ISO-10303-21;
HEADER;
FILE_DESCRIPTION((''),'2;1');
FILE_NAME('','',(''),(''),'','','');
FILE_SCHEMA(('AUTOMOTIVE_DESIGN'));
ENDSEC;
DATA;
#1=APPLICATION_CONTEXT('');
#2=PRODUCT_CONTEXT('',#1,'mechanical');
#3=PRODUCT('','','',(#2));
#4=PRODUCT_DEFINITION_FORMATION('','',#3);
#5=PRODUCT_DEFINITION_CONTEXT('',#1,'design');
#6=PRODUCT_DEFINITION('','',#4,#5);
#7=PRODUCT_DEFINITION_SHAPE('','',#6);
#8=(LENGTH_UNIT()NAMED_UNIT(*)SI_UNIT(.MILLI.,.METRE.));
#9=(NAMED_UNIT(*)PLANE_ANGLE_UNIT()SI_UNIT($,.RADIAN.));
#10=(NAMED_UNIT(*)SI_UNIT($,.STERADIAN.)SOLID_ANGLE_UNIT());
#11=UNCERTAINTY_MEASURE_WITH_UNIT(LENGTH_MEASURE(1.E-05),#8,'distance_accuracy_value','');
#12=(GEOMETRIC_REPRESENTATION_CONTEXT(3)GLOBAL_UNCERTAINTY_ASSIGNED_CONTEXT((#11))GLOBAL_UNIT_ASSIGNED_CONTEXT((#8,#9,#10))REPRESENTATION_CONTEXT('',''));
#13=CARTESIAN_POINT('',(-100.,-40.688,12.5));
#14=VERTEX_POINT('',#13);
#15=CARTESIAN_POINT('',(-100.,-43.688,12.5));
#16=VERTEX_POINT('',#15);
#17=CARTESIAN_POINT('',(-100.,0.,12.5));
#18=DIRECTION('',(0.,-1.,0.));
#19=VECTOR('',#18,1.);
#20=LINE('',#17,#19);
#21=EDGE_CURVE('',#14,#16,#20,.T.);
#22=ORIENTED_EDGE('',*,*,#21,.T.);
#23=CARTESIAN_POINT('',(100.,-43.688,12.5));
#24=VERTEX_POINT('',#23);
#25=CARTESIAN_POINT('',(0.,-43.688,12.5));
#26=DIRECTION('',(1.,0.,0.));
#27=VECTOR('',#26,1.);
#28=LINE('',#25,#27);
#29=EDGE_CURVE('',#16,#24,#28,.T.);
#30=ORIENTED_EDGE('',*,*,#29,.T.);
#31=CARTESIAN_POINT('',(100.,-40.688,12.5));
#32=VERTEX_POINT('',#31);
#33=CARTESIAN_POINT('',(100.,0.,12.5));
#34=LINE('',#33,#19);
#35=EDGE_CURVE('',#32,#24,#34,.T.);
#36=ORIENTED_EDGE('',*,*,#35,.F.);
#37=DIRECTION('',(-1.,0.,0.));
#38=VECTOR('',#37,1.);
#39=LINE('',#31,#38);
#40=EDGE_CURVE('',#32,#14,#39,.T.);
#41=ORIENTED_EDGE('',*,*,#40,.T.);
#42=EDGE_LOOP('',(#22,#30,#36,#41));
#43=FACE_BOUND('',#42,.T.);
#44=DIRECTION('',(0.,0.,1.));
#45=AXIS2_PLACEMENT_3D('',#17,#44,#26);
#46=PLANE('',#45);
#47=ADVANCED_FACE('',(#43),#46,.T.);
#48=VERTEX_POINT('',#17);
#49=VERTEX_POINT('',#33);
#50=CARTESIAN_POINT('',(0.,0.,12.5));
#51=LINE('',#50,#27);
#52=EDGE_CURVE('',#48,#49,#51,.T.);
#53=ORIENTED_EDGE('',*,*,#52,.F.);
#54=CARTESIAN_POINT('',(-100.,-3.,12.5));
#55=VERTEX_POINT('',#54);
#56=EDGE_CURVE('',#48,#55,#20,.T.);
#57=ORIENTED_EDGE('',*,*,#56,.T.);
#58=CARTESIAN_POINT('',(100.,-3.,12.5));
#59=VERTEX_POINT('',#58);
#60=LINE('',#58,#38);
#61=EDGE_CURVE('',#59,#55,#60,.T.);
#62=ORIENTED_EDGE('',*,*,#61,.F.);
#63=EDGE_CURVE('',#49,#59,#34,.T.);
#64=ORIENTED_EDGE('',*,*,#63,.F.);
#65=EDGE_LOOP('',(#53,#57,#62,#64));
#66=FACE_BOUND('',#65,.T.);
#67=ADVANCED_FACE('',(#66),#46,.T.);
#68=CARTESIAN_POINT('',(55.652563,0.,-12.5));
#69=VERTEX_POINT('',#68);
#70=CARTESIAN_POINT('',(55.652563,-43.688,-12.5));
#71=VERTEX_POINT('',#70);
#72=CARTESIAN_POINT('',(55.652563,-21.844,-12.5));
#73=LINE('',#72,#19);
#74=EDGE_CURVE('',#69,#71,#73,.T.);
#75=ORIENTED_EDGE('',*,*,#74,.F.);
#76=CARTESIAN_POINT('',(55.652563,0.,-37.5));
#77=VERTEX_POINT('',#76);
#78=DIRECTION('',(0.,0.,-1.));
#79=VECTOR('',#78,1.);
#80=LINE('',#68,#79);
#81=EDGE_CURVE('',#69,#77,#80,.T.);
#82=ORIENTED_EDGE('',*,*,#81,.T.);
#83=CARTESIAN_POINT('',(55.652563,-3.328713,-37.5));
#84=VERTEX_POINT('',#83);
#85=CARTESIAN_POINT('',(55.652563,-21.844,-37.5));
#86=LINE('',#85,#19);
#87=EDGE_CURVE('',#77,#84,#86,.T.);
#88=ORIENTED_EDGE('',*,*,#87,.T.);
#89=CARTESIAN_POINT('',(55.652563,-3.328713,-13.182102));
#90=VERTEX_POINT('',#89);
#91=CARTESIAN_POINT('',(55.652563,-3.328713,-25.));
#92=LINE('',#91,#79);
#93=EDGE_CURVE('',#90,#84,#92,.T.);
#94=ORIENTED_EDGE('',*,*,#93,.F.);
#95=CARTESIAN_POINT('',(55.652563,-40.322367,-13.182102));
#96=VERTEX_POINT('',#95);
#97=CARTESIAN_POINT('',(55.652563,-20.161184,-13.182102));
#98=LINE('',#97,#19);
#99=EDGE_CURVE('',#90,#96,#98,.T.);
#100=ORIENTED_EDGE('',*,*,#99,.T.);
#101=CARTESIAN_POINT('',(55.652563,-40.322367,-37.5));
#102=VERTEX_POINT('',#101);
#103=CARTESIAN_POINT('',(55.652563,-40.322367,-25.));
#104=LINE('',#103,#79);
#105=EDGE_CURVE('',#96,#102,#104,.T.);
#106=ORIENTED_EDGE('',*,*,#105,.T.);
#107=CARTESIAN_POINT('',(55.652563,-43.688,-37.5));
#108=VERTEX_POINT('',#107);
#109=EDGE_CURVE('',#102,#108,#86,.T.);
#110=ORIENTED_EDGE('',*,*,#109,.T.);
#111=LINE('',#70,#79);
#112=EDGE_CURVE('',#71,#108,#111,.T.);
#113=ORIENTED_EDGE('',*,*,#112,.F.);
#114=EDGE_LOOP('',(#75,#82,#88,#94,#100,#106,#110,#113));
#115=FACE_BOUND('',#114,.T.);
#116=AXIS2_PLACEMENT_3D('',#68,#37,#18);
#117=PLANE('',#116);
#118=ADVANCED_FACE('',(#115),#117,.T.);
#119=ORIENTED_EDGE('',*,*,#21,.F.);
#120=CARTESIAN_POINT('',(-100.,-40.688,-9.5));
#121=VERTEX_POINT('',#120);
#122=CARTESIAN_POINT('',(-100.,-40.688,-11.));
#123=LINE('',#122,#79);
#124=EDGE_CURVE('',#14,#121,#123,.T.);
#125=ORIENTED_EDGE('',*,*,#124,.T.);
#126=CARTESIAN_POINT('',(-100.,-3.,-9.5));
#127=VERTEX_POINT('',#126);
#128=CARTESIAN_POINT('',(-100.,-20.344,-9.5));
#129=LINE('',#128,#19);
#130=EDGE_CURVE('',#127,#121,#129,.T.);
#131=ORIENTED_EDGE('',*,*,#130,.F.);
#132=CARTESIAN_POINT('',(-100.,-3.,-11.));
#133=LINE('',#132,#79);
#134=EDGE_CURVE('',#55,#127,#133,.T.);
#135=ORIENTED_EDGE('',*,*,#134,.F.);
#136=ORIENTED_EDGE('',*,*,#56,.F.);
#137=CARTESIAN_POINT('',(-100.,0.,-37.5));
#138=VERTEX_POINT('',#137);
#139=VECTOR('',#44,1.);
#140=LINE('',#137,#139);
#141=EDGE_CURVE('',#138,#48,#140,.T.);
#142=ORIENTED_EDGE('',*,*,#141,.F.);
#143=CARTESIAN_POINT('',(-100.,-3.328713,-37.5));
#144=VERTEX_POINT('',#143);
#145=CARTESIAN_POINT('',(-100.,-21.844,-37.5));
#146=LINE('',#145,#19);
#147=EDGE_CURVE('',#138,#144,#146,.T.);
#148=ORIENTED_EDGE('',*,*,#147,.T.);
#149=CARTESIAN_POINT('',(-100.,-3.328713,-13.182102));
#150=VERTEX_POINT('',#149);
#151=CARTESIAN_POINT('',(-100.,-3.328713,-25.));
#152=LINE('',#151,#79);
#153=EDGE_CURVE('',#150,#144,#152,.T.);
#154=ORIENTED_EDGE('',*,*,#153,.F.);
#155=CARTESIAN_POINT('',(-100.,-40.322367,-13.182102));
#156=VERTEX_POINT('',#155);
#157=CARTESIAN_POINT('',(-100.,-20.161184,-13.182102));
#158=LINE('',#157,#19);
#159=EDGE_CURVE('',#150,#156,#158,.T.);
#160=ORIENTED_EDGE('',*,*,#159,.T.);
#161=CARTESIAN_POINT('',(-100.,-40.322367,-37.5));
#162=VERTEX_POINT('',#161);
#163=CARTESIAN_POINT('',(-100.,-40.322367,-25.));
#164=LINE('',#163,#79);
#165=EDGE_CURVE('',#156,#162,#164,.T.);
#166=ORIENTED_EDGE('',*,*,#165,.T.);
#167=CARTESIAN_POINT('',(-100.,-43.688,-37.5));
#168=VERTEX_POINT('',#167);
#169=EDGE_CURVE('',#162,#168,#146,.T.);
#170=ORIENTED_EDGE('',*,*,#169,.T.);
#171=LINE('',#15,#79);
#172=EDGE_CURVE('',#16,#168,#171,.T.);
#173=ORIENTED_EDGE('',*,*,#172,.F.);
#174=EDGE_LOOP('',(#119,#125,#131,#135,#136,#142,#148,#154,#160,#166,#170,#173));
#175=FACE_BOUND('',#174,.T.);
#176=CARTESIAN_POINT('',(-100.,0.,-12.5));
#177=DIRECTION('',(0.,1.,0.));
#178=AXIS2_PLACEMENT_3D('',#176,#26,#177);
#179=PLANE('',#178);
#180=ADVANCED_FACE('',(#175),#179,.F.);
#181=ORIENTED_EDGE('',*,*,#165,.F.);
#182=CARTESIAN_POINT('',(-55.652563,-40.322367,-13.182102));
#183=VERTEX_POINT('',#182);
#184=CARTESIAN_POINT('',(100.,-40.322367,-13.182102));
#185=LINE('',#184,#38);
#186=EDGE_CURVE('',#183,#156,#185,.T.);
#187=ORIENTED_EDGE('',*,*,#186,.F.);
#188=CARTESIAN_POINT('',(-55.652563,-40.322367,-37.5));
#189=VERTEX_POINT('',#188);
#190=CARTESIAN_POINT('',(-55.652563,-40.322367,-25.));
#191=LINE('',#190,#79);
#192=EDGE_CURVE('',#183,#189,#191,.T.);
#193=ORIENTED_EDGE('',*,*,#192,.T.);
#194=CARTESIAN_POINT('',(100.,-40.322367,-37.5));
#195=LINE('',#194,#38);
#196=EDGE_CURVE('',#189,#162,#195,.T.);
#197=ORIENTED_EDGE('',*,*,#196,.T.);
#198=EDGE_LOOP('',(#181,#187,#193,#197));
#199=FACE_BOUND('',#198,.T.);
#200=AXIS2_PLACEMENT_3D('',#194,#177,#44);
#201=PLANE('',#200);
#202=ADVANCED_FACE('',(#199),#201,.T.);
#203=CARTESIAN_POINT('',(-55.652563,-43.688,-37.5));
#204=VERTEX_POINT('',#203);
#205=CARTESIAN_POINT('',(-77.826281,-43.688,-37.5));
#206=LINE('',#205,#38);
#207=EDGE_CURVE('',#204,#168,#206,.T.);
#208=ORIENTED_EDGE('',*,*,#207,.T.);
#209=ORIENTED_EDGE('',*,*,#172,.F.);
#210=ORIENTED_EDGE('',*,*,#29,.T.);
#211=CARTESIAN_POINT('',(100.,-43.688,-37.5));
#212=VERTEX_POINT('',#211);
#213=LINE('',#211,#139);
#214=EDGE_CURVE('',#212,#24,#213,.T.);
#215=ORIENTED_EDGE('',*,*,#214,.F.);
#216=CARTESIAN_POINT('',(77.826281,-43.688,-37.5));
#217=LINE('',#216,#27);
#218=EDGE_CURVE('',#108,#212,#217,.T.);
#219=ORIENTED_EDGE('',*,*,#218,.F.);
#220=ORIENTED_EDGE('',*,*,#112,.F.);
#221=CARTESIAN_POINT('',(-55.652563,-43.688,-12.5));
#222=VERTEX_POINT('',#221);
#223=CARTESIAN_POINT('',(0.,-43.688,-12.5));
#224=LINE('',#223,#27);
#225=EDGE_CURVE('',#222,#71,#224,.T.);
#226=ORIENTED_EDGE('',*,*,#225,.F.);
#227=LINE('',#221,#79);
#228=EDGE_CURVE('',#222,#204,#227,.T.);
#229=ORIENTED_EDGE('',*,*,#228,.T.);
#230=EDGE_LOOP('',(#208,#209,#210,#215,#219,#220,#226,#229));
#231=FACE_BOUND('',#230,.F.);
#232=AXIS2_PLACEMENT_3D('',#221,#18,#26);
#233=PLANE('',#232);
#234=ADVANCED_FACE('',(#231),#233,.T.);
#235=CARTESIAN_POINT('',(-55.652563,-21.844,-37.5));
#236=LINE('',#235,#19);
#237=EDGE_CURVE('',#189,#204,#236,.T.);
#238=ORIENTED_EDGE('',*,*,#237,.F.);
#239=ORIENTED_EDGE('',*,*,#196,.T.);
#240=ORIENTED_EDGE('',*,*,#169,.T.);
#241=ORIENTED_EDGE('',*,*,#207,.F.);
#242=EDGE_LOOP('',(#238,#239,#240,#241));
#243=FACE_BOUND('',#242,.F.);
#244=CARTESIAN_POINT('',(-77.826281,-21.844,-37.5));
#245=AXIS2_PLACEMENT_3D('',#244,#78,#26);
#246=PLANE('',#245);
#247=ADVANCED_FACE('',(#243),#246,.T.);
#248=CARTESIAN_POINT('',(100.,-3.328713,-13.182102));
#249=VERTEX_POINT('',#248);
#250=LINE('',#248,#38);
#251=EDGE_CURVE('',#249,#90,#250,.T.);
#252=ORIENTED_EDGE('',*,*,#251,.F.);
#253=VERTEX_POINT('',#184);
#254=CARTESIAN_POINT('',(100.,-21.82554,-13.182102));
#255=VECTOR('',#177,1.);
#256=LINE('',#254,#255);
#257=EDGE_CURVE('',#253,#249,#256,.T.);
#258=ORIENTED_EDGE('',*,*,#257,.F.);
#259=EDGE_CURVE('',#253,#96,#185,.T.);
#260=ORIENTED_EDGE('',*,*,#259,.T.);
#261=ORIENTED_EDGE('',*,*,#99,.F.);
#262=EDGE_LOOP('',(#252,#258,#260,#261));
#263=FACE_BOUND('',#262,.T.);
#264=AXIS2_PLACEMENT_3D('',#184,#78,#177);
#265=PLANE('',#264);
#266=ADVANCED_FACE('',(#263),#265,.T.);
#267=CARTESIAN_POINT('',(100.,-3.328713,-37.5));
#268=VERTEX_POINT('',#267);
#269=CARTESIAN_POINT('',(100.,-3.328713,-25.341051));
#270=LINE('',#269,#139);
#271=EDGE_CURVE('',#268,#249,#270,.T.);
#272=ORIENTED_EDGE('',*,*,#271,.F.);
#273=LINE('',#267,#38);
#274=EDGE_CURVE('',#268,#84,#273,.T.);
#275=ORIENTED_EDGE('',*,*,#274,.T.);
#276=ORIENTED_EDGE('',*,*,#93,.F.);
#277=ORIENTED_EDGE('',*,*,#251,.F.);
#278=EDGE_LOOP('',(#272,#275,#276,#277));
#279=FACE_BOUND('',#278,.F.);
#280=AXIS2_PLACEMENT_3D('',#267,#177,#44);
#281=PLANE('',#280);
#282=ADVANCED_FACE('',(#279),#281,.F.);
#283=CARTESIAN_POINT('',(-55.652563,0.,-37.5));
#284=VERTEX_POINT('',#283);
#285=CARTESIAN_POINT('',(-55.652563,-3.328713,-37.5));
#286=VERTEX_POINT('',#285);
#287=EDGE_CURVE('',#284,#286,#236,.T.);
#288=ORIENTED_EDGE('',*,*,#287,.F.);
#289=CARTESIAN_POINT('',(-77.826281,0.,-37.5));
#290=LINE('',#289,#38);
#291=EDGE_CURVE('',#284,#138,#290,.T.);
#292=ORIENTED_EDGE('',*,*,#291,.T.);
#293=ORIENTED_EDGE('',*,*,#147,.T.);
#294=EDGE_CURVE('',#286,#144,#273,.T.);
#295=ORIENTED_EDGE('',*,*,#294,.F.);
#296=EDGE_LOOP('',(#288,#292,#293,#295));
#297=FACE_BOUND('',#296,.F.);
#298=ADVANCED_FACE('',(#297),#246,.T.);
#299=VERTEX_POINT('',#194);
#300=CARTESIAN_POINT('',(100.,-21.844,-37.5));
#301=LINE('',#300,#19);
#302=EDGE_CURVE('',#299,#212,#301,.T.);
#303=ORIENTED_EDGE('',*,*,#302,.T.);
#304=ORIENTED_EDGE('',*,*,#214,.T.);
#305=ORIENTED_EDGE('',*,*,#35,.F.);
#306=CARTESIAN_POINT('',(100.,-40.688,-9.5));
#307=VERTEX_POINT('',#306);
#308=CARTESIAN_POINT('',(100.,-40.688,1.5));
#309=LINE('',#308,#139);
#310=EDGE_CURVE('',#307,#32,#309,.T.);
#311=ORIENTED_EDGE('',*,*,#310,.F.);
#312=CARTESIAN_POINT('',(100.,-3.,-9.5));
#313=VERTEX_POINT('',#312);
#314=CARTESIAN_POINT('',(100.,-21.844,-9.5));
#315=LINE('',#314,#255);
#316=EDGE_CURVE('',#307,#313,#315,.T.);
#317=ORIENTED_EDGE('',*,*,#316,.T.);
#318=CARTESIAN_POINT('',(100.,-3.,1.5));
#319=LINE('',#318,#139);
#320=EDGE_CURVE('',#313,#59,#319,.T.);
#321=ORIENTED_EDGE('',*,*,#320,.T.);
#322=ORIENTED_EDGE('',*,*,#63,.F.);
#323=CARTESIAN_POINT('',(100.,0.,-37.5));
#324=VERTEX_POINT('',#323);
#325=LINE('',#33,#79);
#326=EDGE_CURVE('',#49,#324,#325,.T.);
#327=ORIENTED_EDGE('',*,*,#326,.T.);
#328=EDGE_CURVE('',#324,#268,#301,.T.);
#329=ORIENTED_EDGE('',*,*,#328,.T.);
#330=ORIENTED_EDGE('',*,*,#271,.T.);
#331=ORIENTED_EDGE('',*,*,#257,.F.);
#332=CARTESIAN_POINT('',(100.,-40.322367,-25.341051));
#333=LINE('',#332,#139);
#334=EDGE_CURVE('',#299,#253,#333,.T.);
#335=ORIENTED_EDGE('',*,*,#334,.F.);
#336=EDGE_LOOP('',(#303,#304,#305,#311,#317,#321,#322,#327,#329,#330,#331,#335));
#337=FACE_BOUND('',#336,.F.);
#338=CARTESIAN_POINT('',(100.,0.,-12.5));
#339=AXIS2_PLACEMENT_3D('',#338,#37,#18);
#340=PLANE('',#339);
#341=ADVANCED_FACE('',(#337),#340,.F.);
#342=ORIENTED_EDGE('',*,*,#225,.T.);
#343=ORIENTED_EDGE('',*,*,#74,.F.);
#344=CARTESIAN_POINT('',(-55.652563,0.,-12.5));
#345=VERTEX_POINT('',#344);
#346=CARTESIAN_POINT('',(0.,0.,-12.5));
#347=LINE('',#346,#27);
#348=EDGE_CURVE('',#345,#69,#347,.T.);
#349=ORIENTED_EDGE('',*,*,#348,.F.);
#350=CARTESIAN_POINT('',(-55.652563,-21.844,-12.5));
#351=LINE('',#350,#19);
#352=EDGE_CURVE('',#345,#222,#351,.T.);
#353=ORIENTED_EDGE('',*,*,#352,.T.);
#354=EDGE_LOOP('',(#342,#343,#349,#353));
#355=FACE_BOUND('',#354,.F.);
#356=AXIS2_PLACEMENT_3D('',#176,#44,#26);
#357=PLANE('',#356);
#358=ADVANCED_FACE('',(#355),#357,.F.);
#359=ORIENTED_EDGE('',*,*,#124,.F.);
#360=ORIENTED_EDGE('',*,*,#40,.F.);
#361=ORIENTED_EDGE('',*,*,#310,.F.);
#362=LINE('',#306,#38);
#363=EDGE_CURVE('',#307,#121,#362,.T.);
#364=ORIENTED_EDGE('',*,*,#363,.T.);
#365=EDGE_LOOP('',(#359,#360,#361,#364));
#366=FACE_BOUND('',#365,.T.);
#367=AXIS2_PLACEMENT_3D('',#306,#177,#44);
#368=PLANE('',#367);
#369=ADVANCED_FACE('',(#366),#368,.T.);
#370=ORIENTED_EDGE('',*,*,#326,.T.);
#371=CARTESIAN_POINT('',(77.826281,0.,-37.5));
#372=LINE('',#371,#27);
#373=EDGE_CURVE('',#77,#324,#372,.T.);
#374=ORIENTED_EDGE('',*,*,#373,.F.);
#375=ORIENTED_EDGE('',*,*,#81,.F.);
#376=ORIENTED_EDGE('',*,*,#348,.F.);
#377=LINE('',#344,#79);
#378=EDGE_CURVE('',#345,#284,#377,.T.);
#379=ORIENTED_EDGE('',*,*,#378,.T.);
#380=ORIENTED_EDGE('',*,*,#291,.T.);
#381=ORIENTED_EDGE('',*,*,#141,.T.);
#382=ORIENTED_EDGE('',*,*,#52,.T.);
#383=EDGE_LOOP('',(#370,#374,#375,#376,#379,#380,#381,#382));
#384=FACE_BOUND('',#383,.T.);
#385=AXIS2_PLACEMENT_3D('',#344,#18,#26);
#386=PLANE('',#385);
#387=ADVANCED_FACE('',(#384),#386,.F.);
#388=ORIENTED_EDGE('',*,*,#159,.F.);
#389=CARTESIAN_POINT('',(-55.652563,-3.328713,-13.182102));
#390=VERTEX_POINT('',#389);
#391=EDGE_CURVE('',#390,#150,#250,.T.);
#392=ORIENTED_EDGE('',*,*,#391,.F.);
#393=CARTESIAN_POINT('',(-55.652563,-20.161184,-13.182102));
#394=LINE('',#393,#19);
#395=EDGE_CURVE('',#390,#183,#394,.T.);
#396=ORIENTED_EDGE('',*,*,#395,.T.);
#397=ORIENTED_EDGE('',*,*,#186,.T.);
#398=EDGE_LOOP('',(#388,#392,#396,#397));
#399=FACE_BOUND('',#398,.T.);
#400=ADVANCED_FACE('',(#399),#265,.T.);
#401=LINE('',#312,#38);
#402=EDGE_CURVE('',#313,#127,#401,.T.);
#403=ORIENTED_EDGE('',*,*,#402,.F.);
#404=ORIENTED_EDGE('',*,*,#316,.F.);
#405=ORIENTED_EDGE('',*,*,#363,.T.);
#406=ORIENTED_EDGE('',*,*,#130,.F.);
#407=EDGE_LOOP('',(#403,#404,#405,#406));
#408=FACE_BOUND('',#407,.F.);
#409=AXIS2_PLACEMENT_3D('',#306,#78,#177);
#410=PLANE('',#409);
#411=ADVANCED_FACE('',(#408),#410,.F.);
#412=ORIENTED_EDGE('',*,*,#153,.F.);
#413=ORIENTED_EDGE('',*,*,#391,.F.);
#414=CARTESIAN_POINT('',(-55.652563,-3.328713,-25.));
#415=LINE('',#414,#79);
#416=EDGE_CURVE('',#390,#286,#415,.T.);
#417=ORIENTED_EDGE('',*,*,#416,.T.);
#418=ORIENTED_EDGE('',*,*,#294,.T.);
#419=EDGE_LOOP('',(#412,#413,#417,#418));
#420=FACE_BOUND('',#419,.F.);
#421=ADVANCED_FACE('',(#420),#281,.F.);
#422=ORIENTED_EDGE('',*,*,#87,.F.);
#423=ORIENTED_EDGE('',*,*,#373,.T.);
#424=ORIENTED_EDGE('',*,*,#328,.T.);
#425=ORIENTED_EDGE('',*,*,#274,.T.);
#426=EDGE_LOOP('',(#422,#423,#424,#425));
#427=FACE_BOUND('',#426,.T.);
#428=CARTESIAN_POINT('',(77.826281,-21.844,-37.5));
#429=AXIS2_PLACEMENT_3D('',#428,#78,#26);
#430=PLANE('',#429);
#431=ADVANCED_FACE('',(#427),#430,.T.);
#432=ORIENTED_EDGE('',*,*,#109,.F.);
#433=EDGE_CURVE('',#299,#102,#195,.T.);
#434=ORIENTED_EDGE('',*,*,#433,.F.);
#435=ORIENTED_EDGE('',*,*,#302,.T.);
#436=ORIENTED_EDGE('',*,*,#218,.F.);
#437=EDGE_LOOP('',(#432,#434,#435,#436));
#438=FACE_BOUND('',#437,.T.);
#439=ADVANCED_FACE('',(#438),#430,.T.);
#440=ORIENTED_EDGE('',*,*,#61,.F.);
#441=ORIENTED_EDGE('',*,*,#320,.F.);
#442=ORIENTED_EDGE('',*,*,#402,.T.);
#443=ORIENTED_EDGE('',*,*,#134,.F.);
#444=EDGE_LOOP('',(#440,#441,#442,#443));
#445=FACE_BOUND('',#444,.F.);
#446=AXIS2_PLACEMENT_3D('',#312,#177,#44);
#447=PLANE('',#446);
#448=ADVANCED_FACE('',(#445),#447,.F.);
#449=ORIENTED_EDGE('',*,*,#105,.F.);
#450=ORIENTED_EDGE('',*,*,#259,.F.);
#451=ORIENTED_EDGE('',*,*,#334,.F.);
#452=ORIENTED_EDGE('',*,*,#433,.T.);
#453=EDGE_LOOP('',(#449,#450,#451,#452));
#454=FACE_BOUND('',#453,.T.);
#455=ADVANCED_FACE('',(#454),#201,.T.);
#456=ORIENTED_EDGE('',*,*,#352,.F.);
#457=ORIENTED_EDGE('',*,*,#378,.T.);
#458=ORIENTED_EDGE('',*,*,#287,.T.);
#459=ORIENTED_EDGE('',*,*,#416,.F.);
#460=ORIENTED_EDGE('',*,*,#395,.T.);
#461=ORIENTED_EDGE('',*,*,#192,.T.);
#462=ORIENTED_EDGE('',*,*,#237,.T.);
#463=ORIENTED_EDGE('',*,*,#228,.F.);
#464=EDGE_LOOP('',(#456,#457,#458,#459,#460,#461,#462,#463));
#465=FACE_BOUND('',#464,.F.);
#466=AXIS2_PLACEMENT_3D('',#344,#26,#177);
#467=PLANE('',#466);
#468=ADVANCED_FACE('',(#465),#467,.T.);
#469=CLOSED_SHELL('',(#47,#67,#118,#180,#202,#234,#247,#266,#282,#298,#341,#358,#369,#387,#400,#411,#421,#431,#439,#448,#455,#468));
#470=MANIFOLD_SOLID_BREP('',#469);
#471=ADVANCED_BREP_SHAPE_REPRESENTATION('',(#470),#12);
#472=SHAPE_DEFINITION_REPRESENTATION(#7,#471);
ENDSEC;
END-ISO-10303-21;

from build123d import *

# Parameters (mm, degrees)
F0_W     = 200
F0_H     = 25
F1_DEPTH = 43.688
F2_W     = 37.688
F2_H     = 22
F3_DEPTH = 200.001
F4_W     = 44.3474374712
F4_H     = 43.688
F5_DEPTH = 25
F7_W     = 36.9936539792
F7_H     = 24.3178982288
F8_DEPTH = 200.001


with BuildPart() as f1:
    # F0 (on Front) → F1 (new body)
    with BuildSketch(Plane.XZ):
        Rectangle(F0_W, F0_H)
    extrude(amount=F1_DEPTH)

    # F2 (on face) → F3 (cut, through all)
    with BuildSketch(Plane.YZ.offset(100)):
        with Locations((-21.844, 1.5)):
            Rectangle(F2_W, F2_H)
    extrude(amount=-F3_DEPTH, mode=Mode.SUBTRACT)

    # F4 (on face) → F5 (join)
    with BuildSketch(Plane(origin=(0, 0, -12.5), x_dir=(1, 0, 0), z_dir=(0, 0, -1))):
        with Locations((77.8262812644, 21.844)):
            Rectangle(F4_W, F4_H)
    extrude(amount=F5_DEPTH)

    # F6: F1 across plane


with BuildPart() as f1_1:
    add(f1.part)
    add(f1.part.mirror(Plane.YZ))

    # F7 (on face) → F8 (cut, through all)
    with BuildSketch(Plane.YZ.offset(100)):
        with Locations((-21.8255401123, -25.3410508856)):
            Rectangle(F7_W, F7_H)
    extrude(amount=-F8_DEPTH, mode=Mode.SUBTRACT)


solid = f1_1.part
